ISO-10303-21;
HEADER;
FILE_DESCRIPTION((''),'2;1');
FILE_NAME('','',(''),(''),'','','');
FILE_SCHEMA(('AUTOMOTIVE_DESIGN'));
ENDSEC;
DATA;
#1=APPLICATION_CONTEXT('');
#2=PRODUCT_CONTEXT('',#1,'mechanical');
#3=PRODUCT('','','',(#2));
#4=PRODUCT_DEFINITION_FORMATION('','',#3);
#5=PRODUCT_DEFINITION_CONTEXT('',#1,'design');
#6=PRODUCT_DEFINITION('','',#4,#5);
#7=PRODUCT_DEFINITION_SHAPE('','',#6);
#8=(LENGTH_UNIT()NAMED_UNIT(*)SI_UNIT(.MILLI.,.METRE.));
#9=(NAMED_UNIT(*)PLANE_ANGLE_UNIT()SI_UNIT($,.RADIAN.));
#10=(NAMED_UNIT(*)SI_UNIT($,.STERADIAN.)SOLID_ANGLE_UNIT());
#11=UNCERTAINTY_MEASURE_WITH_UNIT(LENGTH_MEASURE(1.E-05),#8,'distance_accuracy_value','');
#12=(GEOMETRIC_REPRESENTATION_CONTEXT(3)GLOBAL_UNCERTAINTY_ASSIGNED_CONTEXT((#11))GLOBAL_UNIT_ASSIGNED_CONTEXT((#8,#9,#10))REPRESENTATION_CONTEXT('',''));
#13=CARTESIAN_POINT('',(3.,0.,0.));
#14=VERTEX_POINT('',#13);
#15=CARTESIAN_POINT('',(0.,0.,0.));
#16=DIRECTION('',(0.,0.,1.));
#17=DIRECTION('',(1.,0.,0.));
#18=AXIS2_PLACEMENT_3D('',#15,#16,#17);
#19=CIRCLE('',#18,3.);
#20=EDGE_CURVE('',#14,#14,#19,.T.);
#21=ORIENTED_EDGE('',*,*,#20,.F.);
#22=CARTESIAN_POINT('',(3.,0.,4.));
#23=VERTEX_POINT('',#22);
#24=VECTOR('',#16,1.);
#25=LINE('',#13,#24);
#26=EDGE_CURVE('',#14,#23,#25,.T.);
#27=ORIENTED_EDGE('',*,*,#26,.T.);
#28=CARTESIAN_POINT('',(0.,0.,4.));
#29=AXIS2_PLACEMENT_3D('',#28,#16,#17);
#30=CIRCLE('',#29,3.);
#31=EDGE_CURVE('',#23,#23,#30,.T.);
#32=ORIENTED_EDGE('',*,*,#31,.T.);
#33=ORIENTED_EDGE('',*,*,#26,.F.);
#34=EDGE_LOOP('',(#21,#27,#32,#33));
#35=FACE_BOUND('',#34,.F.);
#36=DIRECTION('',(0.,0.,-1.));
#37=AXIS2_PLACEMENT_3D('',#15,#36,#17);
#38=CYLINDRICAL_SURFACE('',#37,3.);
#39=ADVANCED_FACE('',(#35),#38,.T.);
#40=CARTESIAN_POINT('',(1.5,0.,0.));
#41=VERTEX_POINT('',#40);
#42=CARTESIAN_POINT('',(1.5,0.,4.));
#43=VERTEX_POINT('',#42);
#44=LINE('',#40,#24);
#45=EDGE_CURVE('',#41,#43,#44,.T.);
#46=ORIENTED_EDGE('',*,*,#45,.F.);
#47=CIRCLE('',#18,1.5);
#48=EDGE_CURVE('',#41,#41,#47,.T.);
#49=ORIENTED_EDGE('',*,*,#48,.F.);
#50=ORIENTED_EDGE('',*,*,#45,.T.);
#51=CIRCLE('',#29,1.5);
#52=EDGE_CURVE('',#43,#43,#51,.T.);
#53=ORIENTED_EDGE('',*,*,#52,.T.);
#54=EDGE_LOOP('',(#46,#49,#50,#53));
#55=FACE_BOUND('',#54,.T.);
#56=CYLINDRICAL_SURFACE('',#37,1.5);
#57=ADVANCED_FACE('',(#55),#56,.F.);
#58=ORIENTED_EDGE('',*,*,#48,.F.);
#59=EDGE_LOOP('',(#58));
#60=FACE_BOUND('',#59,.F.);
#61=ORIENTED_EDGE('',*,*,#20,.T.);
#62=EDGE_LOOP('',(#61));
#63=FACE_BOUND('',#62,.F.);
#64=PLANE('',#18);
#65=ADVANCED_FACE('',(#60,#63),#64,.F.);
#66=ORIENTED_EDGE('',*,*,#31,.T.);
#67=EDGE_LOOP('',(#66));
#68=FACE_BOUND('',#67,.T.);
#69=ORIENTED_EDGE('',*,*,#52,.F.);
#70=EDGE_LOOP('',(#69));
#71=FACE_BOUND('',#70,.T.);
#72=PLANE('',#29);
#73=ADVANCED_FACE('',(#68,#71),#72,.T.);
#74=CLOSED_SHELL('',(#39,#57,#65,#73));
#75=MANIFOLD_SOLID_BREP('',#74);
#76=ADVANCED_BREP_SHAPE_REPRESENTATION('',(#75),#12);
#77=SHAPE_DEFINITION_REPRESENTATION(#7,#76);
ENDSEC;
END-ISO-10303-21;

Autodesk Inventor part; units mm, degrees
ref_plane "YZ Plane" through (0, 0, 0) normal (1, 0, 0) x (0, 1, 0)
ref_plane "XZ Plane" through (0, 0, 0) normal (0, 1, 0) x (-1, 0, 0)
ref_plane "XY Plane" through (0, 0, 0) normal (0, 0, 1) x (1, 0, 0)
sketch "スケッチ1" plane through (0, 0, 0) normal (0, 0, 1) x (1, 0, 0)
  circle A0 centre (0, 0) radius 3
  circle A1 centre (0, 0) radius 1.5
  dimension "d0" = 6
  dimension "d1" = 3
extrude "押し出し1" add sketch "スケッチ1" along normal blind 4
properties part number "スペーサーm3-4　簡易筒型" material "アルミニウム 2014-T4"
